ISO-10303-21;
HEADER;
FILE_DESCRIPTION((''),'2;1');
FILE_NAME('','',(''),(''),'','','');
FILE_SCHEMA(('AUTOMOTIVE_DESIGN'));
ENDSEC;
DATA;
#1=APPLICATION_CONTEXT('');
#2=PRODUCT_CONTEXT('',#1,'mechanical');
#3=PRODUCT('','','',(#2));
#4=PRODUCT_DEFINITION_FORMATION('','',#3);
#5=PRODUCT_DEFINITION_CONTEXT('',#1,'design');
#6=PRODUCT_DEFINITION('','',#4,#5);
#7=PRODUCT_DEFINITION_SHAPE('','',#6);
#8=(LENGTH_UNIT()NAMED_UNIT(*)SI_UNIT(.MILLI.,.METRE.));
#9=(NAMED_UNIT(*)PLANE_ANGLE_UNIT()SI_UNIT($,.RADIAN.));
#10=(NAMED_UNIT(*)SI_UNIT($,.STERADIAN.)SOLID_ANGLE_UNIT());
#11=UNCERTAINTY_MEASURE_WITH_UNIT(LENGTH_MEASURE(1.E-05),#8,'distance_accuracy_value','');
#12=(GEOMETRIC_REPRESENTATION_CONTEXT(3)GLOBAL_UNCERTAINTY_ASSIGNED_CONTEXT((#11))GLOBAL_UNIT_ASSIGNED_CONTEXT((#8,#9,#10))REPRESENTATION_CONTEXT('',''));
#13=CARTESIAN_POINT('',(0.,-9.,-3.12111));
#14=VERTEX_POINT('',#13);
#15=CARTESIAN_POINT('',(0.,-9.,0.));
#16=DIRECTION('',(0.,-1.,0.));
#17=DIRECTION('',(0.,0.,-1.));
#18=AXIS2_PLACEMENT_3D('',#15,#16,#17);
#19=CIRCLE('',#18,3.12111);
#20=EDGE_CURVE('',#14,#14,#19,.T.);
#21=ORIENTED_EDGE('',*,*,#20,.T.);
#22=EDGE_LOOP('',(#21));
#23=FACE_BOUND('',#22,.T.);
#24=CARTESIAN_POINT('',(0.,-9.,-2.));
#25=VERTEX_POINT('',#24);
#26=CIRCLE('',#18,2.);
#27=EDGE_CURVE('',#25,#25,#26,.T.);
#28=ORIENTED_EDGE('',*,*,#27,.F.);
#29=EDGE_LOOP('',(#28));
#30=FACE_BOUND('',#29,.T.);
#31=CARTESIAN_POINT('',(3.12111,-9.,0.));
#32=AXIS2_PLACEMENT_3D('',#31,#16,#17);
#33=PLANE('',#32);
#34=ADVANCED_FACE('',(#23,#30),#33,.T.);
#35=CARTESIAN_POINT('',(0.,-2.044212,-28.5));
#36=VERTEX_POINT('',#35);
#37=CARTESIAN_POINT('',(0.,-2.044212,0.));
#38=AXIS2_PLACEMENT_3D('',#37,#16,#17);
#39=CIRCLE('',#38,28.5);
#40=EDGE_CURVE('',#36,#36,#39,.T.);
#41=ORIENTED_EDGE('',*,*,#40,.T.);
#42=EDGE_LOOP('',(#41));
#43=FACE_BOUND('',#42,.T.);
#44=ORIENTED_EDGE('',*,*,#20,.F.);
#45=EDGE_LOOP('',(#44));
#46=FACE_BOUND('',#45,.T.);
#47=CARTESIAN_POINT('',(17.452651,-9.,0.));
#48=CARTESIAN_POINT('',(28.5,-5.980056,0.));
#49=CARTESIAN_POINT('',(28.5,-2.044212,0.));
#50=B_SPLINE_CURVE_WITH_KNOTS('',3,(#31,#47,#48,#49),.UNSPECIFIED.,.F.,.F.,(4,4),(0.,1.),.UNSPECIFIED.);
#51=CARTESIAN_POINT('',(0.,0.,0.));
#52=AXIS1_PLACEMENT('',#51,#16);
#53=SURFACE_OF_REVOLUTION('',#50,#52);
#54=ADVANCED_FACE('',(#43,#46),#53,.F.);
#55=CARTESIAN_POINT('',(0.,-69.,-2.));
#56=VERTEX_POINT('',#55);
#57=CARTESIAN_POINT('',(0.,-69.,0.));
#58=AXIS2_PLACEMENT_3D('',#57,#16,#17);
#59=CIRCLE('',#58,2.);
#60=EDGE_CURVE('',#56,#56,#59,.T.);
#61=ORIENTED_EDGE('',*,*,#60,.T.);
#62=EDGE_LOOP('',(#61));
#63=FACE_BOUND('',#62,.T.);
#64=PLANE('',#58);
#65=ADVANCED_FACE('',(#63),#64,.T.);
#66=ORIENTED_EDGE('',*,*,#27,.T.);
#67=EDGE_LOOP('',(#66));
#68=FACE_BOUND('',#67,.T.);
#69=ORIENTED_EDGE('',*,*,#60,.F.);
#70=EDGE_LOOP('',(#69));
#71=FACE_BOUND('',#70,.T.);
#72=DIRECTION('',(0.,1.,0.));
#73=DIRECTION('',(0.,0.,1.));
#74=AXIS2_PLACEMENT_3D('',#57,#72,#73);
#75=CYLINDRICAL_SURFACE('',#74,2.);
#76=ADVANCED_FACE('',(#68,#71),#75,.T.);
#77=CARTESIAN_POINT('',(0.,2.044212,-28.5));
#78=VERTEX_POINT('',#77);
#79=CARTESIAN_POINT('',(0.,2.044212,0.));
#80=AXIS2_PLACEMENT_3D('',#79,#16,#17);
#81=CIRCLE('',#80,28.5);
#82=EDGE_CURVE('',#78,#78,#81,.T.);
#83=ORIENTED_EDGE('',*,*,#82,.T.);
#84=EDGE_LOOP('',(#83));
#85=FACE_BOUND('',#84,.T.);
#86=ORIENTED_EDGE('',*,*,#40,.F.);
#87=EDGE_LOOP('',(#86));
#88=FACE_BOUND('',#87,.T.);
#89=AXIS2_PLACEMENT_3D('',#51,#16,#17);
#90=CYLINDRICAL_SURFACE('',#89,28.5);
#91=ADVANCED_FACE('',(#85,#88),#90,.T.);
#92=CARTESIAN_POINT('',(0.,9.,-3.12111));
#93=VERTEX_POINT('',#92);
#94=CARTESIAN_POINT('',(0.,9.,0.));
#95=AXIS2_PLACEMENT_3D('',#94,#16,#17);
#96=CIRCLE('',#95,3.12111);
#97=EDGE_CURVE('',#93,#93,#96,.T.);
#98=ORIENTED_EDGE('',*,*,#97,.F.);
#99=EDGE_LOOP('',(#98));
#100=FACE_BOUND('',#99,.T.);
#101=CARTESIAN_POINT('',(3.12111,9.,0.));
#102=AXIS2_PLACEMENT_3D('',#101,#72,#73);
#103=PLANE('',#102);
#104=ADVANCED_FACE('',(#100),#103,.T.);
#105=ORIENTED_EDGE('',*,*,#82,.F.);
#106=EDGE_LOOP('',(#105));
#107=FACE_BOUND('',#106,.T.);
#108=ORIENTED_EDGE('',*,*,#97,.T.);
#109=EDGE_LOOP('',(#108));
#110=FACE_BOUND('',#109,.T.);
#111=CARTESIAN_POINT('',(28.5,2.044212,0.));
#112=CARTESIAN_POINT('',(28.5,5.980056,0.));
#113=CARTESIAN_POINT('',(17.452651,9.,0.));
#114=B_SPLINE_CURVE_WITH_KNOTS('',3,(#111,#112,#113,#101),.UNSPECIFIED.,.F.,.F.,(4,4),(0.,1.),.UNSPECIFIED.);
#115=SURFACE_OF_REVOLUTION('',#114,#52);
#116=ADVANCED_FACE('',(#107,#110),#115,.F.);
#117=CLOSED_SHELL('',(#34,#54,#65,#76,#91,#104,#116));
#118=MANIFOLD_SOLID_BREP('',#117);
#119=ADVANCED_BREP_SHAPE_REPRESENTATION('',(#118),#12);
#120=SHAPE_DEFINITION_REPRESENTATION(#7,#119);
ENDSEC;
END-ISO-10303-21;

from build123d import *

# Parameters (mm, degrees)
SKETCH8_R           = 2
BOSS_EXTRUDE3_DEPTH = 60


with BuildPart() as part:
    # Sketch7 → Revolve2 (revolve)
    with BuildSketch(Plane.XY, mode=Mode.PRIVATE) as revolve2_sk:
        with BuildLine():
            Line((28.5, -2.04421243), (28.5, 2.04421243))
            add(Edge.make_bspline(
                [(28.5, 2.04421243), (28.5, 5.980056208), (17.452650763, 9), (3.121109552, 9)],
                knots=[0, 0, 0, 0, 1, 1, 1, 1], degree=3))
            Line((3.121109552, 9), (0, 9))
            Line((0, 9), (0, -9))
            Line((0, -9), (3.121109552, -9))
            add(Edge.make_bspline(
                [(28.5, -2.04421243), (28.5, -5.980056208), (17.452650763, -9), (3.121109552, -9)],
                knots=[0, 0, 0, 0, 1, 1, 1, 1], degree=3))
        make_face()
    revolve(revolve2_sk.sketch.rotate(Axis((0, 0, 0), (0, 1, 0)), 90), axis=Axis((0, 0, 0), (0, 1, 0)))

    # Sketch8 → Boss-Extrude3 (add)
    with BuildSketch(Plane.XZ.offset(9)):
        with Locations(Location((0, 0, 0), (0, 0, 270))):
            Circle(SKETCH8_R)
    extrude(amount=BOSS_EXTRUDE3_DEPTH)


solid = part.part
